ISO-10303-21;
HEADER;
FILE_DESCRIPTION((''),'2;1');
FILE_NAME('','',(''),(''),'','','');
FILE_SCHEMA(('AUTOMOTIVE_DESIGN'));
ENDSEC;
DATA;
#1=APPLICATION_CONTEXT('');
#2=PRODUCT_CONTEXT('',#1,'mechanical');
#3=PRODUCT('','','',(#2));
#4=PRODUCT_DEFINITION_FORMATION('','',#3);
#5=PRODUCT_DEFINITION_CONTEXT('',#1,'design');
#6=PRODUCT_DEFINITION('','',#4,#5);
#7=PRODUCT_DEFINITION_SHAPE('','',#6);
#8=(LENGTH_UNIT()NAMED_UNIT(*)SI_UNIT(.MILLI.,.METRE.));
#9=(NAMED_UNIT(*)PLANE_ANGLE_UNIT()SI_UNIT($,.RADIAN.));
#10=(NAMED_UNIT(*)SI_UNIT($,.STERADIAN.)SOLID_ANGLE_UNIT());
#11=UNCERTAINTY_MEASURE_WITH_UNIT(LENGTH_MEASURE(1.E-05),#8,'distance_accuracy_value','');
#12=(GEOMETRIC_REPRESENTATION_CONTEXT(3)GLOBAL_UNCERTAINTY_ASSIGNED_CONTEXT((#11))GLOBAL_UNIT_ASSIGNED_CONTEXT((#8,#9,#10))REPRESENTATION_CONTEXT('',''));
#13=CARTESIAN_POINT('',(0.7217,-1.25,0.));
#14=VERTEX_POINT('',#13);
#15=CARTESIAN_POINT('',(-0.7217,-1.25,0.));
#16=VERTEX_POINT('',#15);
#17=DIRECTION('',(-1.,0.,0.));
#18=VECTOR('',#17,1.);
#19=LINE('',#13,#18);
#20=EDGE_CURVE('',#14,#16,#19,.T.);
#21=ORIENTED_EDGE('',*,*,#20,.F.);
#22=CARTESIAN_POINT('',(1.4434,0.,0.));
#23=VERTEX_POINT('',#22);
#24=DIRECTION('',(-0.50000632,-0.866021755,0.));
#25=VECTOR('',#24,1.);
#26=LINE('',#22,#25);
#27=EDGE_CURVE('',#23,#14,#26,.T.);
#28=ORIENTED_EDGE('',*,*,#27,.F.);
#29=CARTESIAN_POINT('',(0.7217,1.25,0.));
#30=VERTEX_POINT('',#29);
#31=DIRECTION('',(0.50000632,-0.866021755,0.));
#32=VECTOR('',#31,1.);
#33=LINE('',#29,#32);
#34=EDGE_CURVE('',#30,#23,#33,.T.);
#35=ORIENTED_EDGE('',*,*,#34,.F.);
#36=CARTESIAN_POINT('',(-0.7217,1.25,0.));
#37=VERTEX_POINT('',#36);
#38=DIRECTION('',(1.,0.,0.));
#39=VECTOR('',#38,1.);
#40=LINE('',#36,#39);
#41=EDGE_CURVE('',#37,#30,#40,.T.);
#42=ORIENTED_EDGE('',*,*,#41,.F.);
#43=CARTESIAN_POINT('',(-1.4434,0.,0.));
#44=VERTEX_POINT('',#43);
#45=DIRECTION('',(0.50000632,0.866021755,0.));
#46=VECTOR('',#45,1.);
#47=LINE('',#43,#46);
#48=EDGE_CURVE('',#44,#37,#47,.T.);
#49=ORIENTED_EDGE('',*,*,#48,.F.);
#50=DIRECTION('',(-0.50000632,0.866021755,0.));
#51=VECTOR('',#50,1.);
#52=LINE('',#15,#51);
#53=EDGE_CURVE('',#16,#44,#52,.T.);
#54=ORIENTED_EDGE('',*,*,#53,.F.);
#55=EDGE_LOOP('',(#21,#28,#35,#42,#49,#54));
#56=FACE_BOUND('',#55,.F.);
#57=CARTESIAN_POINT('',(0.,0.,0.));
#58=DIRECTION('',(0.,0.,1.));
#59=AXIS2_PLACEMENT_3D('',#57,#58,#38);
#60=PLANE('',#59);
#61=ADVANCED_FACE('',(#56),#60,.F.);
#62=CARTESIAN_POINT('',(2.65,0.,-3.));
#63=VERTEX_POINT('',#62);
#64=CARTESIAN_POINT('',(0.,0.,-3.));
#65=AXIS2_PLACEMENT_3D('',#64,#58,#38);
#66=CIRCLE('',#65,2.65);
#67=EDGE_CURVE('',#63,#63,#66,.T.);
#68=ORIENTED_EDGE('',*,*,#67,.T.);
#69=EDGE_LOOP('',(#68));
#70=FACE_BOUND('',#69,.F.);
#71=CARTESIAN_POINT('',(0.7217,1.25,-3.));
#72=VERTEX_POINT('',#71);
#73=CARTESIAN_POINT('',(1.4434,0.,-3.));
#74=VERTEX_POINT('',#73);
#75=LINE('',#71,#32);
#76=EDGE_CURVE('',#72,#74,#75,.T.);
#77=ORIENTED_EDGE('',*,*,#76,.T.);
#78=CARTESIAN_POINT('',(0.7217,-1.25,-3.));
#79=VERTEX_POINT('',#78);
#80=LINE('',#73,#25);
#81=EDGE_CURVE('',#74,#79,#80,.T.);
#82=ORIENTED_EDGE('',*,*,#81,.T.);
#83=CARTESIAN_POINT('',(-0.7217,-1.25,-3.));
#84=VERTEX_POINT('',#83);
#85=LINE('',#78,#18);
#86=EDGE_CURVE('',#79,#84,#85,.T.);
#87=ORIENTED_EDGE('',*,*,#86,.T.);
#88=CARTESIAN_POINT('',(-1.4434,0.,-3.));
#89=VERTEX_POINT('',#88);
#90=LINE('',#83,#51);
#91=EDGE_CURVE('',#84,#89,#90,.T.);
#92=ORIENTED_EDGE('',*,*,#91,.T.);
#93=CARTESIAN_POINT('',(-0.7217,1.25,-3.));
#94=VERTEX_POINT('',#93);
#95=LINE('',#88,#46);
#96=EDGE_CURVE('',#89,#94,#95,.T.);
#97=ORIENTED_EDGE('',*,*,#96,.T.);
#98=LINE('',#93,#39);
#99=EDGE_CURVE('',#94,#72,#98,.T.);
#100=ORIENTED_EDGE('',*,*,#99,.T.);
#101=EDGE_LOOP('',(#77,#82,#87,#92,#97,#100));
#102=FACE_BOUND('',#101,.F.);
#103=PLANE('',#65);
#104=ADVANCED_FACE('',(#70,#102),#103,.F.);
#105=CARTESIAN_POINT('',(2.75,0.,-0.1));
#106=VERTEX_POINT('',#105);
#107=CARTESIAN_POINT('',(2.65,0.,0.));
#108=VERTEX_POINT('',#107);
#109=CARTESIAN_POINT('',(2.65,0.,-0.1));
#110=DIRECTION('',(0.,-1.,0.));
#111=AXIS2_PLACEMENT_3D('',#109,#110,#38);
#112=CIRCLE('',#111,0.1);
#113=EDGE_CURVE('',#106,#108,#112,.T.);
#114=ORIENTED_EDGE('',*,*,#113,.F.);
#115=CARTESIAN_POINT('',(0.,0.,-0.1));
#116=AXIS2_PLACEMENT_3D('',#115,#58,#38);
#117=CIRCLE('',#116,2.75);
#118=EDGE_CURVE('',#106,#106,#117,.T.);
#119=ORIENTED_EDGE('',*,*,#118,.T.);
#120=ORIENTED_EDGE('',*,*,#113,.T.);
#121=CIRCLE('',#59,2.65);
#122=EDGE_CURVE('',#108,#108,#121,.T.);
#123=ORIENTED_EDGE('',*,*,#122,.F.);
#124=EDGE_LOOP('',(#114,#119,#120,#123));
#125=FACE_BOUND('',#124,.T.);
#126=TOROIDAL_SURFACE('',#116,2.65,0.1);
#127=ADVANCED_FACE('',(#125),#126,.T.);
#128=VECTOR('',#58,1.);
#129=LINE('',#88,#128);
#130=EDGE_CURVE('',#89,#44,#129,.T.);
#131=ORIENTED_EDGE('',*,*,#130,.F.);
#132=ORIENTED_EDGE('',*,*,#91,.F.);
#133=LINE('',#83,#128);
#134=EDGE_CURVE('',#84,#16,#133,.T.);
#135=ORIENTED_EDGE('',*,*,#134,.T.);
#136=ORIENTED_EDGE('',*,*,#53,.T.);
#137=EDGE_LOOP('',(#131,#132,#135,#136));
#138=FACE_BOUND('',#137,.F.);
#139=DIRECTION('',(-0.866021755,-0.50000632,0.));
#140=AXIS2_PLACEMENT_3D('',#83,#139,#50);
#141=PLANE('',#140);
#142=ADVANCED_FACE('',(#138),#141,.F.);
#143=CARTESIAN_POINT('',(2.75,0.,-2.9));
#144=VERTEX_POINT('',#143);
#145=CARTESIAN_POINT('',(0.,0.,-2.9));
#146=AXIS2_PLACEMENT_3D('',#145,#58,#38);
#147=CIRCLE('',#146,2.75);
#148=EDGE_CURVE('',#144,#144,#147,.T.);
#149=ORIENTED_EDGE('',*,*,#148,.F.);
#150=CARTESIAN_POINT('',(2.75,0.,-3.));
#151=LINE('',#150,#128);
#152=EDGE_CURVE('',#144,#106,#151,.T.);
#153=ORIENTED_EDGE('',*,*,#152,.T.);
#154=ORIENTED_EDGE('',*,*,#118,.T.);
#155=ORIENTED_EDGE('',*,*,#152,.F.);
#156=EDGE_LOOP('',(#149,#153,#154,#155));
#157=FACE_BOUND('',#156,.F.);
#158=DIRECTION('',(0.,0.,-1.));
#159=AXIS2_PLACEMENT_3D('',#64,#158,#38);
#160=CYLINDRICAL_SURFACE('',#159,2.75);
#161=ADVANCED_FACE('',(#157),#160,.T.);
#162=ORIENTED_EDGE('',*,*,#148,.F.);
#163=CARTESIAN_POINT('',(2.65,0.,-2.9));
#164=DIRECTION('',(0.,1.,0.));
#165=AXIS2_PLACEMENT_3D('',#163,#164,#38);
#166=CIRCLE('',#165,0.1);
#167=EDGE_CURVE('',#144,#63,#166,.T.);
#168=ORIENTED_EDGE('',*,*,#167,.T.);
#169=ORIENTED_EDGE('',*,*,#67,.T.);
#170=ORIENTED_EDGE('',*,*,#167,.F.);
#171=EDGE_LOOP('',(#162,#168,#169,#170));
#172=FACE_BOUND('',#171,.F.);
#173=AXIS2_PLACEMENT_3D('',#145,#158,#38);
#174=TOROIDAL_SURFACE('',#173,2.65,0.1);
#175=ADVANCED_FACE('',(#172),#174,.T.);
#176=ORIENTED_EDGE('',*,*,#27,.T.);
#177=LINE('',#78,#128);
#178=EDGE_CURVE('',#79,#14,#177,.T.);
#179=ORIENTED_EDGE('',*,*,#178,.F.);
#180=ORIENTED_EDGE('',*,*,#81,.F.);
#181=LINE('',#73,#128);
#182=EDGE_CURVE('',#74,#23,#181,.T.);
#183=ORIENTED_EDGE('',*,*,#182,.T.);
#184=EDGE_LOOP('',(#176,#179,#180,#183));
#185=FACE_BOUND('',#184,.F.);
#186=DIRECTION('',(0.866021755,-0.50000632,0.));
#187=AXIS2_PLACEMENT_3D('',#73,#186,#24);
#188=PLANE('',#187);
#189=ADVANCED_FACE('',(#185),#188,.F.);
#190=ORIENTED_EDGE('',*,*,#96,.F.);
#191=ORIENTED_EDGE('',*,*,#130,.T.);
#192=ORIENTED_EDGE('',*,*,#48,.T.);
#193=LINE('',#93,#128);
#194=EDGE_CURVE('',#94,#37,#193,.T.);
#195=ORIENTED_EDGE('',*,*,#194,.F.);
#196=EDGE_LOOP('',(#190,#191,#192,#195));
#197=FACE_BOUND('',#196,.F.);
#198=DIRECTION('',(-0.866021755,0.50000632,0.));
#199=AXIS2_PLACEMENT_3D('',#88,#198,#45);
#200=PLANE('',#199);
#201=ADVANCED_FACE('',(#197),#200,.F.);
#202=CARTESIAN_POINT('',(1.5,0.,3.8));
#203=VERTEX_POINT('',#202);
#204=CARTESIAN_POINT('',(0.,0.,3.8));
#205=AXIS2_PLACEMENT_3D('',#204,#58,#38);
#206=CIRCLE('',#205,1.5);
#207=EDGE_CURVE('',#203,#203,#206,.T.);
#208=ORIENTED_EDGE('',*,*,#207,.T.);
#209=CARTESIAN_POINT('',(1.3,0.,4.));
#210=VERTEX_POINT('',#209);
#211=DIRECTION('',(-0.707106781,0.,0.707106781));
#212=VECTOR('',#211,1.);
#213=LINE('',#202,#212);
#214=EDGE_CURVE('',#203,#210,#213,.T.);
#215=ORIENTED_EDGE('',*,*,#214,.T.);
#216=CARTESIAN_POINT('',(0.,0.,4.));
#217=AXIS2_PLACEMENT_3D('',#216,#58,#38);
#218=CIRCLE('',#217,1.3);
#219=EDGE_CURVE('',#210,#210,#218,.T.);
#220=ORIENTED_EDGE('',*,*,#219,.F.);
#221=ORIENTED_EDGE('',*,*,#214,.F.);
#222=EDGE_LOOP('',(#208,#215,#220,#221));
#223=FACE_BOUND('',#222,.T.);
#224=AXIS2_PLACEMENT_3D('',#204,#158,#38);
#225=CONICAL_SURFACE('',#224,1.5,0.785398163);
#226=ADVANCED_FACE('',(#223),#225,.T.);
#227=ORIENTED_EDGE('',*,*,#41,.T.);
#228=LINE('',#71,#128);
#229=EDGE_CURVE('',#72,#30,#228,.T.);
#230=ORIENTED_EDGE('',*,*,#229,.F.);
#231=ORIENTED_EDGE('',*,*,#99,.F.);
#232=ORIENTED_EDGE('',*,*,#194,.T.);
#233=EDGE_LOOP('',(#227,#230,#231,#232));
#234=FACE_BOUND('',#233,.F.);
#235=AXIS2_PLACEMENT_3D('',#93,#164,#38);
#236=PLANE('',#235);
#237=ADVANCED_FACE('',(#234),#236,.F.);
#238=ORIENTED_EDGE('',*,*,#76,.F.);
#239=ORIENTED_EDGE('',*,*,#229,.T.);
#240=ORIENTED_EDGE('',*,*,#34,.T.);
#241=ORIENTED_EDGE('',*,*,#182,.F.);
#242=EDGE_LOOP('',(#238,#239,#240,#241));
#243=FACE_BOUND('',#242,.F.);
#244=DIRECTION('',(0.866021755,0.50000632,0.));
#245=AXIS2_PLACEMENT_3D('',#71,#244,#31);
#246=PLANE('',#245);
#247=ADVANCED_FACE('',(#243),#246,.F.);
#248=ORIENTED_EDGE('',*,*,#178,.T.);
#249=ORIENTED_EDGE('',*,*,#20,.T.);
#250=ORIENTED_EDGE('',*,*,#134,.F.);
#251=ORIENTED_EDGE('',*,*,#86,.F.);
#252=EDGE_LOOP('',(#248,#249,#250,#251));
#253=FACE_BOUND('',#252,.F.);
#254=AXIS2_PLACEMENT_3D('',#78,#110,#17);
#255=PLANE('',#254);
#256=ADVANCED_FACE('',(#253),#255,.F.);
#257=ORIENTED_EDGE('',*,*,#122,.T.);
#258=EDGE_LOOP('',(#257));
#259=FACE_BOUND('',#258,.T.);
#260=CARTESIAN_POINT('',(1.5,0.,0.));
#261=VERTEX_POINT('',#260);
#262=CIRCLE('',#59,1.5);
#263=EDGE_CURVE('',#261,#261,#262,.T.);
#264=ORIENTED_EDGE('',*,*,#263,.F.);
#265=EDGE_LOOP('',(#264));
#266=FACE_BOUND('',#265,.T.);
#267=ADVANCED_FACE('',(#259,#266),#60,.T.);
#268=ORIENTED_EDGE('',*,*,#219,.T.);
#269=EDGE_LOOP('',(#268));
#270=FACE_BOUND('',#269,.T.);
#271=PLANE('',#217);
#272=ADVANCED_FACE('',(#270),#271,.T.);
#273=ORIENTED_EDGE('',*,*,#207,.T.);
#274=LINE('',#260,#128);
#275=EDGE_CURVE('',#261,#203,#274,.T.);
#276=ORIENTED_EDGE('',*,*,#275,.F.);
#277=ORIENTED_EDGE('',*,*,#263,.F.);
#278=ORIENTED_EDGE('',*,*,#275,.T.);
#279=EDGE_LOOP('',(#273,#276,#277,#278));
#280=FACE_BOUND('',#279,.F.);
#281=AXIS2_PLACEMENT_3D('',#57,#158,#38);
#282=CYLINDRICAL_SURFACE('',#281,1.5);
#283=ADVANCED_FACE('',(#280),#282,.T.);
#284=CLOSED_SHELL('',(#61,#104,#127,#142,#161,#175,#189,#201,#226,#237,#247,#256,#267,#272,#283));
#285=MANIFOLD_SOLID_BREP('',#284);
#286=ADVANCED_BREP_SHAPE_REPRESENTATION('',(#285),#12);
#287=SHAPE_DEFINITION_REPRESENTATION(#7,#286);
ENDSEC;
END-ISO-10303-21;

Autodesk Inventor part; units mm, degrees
ref_plane "YZ Plane" through (0, 0, 0) normal (1, 0, 0) x (0, 1, 0)
ref_plane "XZ Plane" through (0, 0, 0) normal (0, 1, 0) x (-1, 0, 0)
ref_plane "Work Plane1" through (0, 0, -3) normal (0, 0, 1) x (1, 0, 0)
sketch "Sketch1" plane through (0, 0, -3) normal (0, 0, 1) x (1, 0, 0)
  circle A0 centre (0, 0) radius 2.75
extrude "Extrusion3" add sketch "Sketch1" along normal blind 3
fillet "Fillet1" radius 0.1 2 edges at (-2.75, 0, -3) (-2.75, 0, 0)
sketch "Sketch2" plane through (0, 0, -3) normal (0, 0, 1) x (1, 0, 0)
  line L0 (-0.7217, 1.25) -> (0.7217, 1.25)
  line L1 (0.7217, -1.25) -> (-0.7217, -1.25)
  line L2 (-0.7217, -1.25) -> (-1.4434, 0)
  line L3 (0.7217, 1.25) -> (1.4434, 0)
  line L4 (-1.4434, 0) -> (-0.7217, 1.25)
  line L5 (1.4434, 0) -> (0.7217, -1.25)
extrude "Extrusion2" cut sketch "Sketch2" along normal blind 3
sketch "Sketch3" plane through (0, 0, 0) normal (0, 0, 1) x (1, 0, 0)
  circle A0 centre (0, 0) radius 1.5
extrude "Extrusion1" add sketch "Sketch3" along normal blind 4
chamfer "Chamfer1" distance 0.2 angle 45 1 edges at (-1.5, 0, 4)
properties part number "M3 x 4mm SHCS" material "Stainless Steel"
